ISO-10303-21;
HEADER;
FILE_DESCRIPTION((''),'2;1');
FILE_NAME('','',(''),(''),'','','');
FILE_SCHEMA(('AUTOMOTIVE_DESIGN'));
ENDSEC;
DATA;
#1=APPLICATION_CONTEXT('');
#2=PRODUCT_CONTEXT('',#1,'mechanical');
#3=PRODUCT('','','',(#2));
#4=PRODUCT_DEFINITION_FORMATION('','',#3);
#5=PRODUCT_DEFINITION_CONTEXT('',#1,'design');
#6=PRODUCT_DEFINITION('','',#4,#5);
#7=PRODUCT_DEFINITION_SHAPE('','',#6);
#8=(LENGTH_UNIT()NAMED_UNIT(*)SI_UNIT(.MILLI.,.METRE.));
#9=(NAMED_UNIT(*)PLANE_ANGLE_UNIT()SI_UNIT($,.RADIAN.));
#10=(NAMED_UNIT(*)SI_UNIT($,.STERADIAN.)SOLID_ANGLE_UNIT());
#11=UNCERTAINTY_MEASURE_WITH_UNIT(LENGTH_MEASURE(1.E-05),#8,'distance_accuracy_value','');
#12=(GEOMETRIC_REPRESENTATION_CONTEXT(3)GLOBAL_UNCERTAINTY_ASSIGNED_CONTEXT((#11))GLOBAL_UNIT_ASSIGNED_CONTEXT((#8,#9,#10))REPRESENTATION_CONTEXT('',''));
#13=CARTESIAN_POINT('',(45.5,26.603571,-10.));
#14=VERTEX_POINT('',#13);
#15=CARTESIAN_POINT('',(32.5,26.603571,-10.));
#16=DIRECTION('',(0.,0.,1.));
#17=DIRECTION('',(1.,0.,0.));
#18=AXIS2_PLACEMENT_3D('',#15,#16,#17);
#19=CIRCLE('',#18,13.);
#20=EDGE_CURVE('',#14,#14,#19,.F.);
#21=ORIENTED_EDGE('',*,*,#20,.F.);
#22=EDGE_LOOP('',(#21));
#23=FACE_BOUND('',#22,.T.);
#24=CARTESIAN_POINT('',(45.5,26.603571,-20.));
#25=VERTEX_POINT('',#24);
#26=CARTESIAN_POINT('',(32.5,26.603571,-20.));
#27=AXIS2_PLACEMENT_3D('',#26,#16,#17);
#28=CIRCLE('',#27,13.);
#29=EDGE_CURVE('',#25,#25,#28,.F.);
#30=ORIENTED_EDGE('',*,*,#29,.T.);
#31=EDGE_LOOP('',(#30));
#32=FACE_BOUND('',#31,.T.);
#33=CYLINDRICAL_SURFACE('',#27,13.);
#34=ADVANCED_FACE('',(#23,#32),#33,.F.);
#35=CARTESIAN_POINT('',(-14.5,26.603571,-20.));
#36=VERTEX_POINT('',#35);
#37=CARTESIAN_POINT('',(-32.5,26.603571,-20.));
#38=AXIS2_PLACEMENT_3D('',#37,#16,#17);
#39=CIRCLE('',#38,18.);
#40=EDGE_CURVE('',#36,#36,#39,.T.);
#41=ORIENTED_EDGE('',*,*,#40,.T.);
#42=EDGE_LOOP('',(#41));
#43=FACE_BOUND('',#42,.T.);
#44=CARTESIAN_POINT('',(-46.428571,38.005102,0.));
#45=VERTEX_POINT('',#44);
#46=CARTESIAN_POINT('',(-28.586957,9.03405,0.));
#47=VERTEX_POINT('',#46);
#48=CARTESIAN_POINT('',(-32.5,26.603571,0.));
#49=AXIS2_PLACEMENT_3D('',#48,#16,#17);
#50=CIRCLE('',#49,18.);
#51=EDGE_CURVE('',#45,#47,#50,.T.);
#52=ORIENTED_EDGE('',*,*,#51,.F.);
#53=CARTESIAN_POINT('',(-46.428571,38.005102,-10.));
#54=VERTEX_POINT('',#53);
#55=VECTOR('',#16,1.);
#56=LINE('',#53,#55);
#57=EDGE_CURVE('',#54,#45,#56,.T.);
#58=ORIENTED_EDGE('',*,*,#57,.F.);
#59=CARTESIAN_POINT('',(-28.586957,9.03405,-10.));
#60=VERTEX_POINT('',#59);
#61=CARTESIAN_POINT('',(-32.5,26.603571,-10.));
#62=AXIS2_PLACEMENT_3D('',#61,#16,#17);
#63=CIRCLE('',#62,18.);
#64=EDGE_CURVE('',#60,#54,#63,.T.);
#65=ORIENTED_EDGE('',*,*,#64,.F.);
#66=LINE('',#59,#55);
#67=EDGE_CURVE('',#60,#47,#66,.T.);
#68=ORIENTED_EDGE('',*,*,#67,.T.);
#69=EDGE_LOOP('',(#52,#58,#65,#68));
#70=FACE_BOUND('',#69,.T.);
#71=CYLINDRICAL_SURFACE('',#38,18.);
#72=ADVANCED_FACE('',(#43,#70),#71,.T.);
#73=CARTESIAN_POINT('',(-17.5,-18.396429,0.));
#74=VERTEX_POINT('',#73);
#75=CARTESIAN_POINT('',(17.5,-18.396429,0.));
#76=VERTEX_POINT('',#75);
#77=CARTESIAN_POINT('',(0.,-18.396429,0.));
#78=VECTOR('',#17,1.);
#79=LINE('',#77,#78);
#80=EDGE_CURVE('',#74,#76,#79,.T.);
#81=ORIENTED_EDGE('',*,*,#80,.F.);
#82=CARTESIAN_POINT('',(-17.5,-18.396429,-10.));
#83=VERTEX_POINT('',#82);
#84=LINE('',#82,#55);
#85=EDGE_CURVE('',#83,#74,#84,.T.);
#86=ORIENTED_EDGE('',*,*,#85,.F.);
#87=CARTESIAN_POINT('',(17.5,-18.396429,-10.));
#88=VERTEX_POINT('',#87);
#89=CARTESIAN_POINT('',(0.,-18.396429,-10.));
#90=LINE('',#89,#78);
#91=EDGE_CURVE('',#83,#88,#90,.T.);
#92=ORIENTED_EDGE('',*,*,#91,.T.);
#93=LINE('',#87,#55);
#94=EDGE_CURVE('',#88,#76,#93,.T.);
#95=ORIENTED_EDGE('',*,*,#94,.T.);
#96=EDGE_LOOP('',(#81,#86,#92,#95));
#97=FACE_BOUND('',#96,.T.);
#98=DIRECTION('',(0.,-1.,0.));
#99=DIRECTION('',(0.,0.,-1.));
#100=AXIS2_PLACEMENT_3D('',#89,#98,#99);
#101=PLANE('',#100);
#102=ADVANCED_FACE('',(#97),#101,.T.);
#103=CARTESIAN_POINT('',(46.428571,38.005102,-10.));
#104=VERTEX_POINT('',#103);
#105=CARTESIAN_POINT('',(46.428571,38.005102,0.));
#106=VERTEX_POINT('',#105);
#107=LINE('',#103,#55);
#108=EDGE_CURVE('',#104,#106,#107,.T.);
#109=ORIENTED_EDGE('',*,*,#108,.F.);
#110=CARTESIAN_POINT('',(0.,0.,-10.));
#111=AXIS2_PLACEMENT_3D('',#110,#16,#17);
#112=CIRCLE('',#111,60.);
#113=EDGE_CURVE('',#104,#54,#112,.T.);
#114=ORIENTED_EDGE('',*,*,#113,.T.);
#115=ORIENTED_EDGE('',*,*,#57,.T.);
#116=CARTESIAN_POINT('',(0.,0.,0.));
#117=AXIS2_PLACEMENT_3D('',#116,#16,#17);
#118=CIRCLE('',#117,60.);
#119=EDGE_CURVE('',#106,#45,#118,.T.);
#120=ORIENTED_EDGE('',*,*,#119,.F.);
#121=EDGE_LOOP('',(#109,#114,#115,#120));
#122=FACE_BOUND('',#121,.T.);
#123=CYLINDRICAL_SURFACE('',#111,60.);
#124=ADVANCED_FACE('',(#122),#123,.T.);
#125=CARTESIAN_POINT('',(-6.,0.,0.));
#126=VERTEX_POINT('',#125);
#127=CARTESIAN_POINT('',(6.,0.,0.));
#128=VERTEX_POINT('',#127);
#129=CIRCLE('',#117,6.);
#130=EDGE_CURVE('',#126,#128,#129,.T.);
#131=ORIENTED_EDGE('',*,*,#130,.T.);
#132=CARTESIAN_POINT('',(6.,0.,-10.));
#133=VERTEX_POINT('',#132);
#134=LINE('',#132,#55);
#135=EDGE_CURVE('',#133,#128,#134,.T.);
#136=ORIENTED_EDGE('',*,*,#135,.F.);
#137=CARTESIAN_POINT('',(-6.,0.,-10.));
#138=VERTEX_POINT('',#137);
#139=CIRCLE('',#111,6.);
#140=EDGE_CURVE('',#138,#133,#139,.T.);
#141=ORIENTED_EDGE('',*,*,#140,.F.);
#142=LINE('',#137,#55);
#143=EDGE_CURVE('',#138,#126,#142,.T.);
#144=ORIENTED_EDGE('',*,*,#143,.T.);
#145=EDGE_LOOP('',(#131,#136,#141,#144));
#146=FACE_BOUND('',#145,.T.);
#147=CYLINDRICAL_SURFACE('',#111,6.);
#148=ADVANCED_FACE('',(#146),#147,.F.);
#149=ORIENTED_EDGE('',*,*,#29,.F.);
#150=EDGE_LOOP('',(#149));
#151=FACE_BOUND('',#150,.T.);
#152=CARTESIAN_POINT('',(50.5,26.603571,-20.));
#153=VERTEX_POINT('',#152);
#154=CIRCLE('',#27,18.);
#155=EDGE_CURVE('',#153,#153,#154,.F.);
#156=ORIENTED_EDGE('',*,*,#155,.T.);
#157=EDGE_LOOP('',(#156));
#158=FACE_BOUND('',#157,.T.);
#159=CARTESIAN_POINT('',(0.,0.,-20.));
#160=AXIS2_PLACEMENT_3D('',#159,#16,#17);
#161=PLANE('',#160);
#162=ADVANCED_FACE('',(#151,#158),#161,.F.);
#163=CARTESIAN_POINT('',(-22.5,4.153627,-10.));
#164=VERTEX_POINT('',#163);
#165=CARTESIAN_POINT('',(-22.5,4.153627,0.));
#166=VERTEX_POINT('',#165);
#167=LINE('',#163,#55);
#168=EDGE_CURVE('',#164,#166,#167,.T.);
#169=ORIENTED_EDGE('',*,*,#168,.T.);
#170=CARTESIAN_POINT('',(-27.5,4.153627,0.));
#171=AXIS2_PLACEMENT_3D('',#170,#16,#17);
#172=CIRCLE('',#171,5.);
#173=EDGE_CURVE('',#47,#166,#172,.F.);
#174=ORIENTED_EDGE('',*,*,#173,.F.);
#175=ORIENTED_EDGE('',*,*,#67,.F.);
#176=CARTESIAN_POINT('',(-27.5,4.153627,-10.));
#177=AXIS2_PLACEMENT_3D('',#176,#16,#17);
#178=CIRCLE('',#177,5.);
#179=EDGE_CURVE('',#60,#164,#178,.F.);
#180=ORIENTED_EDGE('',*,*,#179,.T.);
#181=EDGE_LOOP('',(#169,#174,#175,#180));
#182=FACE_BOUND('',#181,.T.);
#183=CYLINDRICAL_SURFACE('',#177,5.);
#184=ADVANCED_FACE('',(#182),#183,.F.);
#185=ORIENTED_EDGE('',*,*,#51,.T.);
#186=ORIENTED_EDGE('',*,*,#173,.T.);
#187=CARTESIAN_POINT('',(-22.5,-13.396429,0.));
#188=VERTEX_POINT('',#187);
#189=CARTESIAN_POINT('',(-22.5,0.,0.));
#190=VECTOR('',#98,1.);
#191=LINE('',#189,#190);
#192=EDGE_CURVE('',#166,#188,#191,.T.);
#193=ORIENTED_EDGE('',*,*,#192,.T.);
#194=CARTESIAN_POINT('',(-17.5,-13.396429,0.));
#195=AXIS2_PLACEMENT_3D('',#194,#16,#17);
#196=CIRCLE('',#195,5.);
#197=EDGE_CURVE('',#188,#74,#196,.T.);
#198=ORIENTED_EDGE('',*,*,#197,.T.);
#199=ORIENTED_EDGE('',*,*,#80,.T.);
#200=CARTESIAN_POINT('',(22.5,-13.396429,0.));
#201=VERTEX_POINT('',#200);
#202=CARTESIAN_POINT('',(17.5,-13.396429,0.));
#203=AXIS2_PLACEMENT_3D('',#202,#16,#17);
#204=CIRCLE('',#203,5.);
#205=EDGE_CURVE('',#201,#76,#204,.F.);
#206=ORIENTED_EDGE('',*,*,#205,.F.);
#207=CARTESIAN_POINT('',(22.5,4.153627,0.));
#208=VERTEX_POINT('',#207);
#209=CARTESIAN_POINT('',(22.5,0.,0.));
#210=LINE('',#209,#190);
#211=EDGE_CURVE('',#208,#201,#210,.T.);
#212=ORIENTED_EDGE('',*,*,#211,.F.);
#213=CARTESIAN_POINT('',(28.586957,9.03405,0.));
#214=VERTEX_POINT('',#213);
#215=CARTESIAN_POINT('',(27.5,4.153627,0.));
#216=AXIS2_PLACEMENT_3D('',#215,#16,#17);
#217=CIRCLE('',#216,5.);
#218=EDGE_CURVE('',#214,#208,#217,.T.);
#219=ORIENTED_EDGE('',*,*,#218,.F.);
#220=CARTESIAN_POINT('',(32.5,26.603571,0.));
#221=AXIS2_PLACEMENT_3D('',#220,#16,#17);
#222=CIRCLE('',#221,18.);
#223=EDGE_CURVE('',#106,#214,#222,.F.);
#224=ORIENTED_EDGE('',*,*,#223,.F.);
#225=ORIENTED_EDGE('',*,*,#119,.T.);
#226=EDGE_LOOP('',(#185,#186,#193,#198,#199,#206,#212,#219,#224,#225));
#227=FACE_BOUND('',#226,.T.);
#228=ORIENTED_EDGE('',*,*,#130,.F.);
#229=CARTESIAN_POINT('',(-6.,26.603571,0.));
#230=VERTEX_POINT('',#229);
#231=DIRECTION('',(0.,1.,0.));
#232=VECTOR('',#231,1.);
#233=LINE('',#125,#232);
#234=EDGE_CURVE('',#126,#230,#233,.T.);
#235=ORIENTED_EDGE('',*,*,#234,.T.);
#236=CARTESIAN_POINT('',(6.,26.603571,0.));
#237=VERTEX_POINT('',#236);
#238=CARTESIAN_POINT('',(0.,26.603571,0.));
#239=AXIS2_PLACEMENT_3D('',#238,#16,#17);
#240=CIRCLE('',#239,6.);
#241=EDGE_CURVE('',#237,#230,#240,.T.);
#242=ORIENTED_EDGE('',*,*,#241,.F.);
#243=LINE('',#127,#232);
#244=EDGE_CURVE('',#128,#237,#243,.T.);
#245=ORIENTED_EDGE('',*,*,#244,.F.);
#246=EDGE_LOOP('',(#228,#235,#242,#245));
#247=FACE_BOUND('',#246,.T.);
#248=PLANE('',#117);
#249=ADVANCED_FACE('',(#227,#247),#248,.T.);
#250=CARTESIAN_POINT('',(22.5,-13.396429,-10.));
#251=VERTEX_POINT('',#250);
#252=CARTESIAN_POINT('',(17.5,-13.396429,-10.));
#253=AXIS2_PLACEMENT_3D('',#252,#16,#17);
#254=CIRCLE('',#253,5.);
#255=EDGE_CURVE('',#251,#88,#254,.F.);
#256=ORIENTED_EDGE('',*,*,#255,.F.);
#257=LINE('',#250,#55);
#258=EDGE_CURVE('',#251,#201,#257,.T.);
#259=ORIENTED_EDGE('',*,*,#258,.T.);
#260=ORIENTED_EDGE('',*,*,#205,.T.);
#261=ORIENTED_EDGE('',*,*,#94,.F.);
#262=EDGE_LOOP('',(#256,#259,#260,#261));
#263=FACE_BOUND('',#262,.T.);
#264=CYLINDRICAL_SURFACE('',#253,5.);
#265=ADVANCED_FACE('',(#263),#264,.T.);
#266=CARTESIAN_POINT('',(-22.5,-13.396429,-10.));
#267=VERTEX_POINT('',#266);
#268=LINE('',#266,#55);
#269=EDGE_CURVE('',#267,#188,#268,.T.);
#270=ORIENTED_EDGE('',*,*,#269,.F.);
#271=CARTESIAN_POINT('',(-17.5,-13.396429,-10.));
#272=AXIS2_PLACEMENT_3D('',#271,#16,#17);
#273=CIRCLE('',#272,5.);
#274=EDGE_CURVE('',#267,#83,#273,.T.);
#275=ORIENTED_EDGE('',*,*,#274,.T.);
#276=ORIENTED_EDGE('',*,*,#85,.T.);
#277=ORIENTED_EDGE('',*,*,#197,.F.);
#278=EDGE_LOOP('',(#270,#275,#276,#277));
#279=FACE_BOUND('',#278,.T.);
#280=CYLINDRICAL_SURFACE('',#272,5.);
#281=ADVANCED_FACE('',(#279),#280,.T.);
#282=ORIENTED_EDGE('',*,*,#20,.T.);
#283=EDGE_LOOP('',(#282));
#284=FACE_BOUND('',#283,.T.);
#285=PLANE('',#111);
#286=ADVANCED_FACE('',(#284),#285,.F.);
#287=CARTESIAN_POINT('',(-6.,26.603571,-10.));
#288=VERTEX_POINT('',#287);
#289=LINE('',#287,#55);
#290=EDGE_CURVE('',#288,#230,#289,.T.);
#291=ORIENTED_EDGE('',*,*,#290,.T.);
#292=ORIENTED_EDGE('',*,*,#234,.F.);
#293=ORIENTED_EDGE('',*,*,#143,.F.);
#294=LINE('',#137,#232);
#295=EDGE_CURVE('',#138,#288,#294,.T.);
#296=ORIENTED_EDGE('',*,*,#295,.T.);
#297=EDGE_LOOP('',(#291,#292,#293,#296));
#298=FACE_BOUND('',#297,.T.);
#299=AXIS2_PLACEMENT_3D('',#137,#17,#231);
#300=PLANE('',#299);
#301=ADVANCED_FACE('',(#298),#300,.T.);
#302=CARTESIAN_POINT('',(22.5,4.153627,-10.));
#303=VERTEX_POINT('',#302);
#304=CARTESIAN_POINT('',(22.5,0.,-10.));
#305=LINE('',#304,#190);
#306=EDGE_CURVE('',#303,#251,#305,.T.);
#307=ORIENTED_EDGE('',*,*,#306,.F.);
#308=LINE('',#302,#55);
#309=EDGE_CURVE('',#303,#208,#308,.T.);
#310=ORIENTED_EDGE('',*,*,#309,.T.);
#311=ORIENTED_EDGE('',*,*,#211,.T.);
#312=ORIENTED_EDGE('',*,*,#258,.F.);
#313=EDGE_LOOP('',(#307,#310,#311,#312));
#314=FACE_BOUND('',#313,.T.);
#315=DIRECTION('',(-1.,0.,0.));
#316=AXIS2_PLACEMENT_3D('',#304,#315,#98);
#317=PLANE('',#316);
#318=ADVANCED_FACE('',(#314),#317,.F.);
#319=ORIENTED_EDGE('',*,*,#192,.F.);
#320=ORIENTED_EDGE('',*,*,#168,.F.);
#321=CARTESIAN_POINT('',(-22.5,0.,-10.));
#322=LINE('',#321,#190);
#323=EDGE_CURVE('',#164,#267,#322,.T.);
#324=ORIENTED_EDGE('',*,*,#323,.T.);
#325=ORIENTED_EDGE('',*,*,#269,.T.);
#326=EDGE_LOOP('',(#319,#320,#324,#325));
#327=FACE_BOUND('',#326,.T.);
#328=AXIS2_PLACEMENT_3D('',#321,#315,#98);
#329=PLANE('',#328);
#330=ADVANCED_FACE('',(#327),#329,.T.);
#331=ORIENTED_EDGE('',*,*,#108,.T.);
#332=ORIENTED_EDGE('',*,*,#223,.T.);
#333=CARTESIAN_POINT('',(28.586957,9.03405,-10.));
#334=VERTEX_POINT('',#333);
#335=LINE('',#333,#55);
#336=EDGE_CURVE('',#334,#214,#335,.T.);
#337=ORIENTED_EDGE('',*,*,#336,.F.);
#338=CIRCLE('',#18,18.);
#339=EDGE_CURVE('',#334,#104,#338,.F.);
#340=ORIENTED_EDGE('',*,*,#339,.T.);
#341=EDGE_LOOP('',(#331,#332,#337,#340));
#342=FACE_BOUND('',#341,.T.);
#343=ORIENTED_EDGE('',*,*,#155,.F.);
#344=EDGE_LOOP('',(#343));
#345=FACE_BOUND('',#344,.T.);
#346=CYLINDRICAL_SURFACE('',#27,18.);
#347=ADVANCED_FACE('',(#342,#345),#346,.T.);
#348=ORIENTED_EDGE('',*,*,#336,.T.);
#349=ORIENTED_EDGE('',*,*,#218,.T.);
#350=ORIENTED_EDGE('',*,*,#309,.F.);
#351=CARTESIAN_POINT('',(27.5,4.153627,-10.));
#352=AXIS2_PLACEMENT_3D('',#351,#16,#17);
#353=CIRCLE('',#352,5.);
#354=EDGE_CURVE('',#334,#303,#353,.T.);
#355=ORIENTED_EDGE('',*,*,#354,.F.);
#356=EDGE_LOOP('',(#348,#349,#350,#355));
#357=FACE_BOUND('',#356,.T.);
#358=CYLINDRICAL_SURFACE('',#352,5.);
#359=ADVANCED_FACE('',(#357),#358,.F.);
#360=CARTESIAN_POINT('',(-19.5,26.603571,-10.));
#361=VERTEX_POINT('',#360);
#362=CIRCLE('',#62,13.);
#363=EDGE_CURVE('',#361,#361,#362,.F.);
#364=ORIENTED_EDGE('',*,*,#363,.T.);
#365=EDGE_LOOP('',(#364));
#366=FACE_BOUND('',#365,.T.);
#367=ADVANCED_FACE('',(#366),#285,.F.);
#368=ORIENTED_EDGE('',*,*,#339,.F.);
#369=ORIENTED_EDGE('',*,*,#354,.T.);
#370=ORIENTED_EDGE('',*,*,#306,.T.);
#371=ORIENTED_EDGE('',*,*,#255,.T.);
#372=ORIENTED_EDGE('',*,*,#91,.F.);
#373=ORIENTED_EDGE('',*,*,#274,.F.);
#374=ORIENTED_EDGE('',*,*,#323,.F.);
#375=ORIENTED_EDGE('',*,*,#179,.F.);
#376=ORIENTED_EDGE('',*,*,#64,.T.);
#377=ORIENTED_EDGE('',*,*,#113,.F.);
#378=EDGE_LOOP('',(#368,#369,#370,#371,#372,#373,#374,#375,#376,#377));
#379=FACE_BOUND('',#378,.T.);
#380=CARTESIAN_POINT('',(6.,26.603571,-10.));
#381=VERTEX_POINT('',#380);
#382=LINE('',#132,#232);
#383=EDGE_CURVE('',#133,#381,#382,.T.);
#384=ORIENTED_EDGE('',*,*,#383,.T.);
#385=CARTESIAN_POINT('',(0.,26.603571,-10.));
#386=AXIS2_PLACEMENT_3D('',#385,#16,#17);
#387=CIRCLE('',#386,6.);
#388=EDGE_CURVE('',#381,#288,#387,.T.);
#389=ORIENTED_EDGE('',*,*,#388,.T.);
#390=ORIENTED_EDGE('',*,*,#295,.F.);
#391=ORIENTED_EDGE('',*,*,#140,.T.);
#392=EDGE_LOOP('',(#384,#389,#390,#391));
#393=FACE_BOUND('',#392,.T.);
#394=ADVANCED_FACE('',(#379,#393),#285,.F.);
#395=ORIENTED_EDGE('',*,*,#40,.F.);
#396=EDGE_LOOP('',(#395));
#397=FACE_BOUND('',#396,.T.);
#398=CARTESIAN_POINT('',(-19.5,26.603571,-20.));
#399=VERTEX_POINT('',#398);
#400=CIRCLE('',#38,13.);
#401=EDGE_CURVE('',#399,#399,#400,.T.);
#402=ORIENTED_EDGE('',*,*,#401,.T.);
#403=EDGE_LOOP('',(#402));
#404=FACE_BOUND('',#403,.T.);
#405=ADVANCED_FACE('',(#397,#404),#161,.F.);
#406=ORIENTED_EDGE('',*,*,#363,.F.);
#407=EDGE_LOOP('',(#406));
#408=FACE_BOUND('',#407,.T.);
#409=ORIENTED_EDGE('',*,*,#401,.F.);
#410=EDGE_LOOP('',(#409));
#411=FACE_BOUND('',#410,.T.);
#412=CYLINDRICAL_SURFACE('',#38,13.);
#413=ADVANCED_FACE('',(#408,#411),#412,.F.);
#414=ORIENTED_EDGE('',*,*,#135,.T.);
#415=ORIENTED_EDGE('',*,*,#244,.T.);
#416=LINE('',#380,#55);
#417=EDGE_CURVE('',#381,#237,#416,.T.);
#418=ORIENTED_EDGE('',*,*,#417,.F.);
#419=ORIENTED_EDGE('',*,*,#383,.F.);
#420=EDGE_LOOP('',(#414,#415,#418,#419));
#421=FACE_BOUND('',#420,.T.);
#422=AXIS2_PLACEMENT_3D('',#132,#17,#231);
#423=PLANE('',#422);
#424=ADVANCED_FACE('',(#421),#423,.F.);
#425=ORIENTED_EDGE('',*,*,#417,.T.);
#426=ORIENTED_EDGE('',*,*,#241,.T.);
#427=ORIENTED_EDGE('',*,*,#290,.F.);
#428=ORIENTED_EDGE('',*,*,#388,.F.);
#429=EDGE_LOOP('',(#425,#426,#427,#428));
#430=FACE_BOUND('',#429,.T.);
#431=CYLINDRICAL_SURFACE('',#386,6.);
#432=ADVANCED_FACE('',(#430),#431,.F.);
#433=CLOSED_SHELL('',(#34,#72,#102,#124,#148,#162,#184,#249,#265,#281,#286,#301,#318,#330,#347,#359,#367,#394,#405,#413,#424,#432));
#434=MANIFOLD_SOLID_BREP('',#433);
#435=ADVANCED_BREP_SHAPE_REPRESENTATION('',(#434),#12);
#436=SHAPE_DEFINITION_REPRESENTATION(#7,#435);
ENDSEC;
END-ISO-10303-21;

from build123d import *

# Parameters (mm, degrees)
BOSS_EXTRUDE1_DEPTH   = 10
SKETCH1_R             = 13
BOSS_EXTRUDE1_2_DEPTH = 10
BOSS_EXTRUDE1_3_DEPTH = 10
SKETCH1_3_R           = 18
SKETCH1_3_R_2         = 13
BOSS_EXTRUDE2_DEPTH   = 20


with BuildPart() as part:
    # Sketch1 → Boss-Extrude1 (new body)
    with BuildSketch(Plane.XY):
        with BuildLine():
            ThreePointArc((-22.5, -13.396428811), (-21.035533906, -16.931962717), (-17.5, -18.396428811))
            Line((-17.5, -18.396428811), (17.5, -18.396428811))
            ThreePointArc((17.5, -18.396428811), (21.035533906, -16.931962717), (22.5, -13.396428811))
            Line((22.5, -13.396428811), (22.5, 4.153626868))
            ThreePointArc((22.5, 4.153626868), (24.372283789, 8.054574356), (28.586956522, 9.034049547))
            ThreePointArc((28.586956522, 9.034049547), (17.17328588, 36.042418273), (46.428571429, 38.005101698))
            ThreePointArc((46.428571429, 38.005101698), (0, 60), (-46.428571429, 38.005101698))
            ThreePointArc((-46.428571429, 38.005101698), (-17.17328588, 36.042418273), (-28.586956522, 9.034049547))
            ThreePointArc((-28.586956522, 9.034049547), (-24.372283789, 8.054574356), (-22.5, 4.153626868))
            Line((-22.5, 4.153626868), (-22.5, -13.396428811))
        make_face()
        with BuildLine():
            ThreePointArc((6, 0), (0, -6), (-6, 0))
            Line((-6, 0), (-6, 26.603571189))
            ThreePointArc((-6, 26.603571189), (0, 32.603571189), (6, 26.603571189))
            Line((6, 26.603571189), (6, 0))
        make_face(mode=Mode.SUBTRACT)
    extrude(amount=-BOSS_EXTRUDE1_DEPTH)



with BuildPart() as body_2:
    # Sketch1 → Boss-Extrude1 2 (new body)
    with BuildSketch(Plane.XY):
        with Locations((-32.5, 26.603571189)):
            Circle(SKETCH1_R)
    extrude(amount=-BOSS_EXTRUDE1_2_DEPTH)


with BuildPart() as body_3:
    # Sketch1 → Boss-Extrude1 3 (new body)
    with BuildSketch(Plane.XY):
        with Locations((32.5, 26.603571189)):
            Circle(SKETCH1_R)
    extrude(amount=-BOSS_EXTRUDE1_3_DEPTH)


with BuildPart() as part_1:
    add(part.part)

    add(body_2.part)  # Boss-Extrude2 merges body 2

    add(body_3.part)  # Boss-Extrude2 merges body 3
    # Sketch1<3> → Boss-Extrude2 (add)
    # profile 1 of 2: a face of its own
    with BuildSketch(Plane.XY):
        with Locations((-32.5, 26.603571189)):
            Circle(SKETCH1_3_R)
        with Locations((-32.5, 26.603571189)):
            Circle(SKETCH1_3_R_2, mode=Mode.SUBTRACT)
    # profile 2 of 2: a face of its own
    with BuildSketch(Plane.XY):
        with Locations((32.5, 26.603571189)):
            Circle(SKETCH1_3_R)
        with Locations((32.5, 26.603571189)):
            Circle(SKETCH1_3_R_2, mode=Mode.SUBTRACT)
    extrude(amount=-BOSS_EXTRUDE2_DEPTH)


solid = part_1.part
